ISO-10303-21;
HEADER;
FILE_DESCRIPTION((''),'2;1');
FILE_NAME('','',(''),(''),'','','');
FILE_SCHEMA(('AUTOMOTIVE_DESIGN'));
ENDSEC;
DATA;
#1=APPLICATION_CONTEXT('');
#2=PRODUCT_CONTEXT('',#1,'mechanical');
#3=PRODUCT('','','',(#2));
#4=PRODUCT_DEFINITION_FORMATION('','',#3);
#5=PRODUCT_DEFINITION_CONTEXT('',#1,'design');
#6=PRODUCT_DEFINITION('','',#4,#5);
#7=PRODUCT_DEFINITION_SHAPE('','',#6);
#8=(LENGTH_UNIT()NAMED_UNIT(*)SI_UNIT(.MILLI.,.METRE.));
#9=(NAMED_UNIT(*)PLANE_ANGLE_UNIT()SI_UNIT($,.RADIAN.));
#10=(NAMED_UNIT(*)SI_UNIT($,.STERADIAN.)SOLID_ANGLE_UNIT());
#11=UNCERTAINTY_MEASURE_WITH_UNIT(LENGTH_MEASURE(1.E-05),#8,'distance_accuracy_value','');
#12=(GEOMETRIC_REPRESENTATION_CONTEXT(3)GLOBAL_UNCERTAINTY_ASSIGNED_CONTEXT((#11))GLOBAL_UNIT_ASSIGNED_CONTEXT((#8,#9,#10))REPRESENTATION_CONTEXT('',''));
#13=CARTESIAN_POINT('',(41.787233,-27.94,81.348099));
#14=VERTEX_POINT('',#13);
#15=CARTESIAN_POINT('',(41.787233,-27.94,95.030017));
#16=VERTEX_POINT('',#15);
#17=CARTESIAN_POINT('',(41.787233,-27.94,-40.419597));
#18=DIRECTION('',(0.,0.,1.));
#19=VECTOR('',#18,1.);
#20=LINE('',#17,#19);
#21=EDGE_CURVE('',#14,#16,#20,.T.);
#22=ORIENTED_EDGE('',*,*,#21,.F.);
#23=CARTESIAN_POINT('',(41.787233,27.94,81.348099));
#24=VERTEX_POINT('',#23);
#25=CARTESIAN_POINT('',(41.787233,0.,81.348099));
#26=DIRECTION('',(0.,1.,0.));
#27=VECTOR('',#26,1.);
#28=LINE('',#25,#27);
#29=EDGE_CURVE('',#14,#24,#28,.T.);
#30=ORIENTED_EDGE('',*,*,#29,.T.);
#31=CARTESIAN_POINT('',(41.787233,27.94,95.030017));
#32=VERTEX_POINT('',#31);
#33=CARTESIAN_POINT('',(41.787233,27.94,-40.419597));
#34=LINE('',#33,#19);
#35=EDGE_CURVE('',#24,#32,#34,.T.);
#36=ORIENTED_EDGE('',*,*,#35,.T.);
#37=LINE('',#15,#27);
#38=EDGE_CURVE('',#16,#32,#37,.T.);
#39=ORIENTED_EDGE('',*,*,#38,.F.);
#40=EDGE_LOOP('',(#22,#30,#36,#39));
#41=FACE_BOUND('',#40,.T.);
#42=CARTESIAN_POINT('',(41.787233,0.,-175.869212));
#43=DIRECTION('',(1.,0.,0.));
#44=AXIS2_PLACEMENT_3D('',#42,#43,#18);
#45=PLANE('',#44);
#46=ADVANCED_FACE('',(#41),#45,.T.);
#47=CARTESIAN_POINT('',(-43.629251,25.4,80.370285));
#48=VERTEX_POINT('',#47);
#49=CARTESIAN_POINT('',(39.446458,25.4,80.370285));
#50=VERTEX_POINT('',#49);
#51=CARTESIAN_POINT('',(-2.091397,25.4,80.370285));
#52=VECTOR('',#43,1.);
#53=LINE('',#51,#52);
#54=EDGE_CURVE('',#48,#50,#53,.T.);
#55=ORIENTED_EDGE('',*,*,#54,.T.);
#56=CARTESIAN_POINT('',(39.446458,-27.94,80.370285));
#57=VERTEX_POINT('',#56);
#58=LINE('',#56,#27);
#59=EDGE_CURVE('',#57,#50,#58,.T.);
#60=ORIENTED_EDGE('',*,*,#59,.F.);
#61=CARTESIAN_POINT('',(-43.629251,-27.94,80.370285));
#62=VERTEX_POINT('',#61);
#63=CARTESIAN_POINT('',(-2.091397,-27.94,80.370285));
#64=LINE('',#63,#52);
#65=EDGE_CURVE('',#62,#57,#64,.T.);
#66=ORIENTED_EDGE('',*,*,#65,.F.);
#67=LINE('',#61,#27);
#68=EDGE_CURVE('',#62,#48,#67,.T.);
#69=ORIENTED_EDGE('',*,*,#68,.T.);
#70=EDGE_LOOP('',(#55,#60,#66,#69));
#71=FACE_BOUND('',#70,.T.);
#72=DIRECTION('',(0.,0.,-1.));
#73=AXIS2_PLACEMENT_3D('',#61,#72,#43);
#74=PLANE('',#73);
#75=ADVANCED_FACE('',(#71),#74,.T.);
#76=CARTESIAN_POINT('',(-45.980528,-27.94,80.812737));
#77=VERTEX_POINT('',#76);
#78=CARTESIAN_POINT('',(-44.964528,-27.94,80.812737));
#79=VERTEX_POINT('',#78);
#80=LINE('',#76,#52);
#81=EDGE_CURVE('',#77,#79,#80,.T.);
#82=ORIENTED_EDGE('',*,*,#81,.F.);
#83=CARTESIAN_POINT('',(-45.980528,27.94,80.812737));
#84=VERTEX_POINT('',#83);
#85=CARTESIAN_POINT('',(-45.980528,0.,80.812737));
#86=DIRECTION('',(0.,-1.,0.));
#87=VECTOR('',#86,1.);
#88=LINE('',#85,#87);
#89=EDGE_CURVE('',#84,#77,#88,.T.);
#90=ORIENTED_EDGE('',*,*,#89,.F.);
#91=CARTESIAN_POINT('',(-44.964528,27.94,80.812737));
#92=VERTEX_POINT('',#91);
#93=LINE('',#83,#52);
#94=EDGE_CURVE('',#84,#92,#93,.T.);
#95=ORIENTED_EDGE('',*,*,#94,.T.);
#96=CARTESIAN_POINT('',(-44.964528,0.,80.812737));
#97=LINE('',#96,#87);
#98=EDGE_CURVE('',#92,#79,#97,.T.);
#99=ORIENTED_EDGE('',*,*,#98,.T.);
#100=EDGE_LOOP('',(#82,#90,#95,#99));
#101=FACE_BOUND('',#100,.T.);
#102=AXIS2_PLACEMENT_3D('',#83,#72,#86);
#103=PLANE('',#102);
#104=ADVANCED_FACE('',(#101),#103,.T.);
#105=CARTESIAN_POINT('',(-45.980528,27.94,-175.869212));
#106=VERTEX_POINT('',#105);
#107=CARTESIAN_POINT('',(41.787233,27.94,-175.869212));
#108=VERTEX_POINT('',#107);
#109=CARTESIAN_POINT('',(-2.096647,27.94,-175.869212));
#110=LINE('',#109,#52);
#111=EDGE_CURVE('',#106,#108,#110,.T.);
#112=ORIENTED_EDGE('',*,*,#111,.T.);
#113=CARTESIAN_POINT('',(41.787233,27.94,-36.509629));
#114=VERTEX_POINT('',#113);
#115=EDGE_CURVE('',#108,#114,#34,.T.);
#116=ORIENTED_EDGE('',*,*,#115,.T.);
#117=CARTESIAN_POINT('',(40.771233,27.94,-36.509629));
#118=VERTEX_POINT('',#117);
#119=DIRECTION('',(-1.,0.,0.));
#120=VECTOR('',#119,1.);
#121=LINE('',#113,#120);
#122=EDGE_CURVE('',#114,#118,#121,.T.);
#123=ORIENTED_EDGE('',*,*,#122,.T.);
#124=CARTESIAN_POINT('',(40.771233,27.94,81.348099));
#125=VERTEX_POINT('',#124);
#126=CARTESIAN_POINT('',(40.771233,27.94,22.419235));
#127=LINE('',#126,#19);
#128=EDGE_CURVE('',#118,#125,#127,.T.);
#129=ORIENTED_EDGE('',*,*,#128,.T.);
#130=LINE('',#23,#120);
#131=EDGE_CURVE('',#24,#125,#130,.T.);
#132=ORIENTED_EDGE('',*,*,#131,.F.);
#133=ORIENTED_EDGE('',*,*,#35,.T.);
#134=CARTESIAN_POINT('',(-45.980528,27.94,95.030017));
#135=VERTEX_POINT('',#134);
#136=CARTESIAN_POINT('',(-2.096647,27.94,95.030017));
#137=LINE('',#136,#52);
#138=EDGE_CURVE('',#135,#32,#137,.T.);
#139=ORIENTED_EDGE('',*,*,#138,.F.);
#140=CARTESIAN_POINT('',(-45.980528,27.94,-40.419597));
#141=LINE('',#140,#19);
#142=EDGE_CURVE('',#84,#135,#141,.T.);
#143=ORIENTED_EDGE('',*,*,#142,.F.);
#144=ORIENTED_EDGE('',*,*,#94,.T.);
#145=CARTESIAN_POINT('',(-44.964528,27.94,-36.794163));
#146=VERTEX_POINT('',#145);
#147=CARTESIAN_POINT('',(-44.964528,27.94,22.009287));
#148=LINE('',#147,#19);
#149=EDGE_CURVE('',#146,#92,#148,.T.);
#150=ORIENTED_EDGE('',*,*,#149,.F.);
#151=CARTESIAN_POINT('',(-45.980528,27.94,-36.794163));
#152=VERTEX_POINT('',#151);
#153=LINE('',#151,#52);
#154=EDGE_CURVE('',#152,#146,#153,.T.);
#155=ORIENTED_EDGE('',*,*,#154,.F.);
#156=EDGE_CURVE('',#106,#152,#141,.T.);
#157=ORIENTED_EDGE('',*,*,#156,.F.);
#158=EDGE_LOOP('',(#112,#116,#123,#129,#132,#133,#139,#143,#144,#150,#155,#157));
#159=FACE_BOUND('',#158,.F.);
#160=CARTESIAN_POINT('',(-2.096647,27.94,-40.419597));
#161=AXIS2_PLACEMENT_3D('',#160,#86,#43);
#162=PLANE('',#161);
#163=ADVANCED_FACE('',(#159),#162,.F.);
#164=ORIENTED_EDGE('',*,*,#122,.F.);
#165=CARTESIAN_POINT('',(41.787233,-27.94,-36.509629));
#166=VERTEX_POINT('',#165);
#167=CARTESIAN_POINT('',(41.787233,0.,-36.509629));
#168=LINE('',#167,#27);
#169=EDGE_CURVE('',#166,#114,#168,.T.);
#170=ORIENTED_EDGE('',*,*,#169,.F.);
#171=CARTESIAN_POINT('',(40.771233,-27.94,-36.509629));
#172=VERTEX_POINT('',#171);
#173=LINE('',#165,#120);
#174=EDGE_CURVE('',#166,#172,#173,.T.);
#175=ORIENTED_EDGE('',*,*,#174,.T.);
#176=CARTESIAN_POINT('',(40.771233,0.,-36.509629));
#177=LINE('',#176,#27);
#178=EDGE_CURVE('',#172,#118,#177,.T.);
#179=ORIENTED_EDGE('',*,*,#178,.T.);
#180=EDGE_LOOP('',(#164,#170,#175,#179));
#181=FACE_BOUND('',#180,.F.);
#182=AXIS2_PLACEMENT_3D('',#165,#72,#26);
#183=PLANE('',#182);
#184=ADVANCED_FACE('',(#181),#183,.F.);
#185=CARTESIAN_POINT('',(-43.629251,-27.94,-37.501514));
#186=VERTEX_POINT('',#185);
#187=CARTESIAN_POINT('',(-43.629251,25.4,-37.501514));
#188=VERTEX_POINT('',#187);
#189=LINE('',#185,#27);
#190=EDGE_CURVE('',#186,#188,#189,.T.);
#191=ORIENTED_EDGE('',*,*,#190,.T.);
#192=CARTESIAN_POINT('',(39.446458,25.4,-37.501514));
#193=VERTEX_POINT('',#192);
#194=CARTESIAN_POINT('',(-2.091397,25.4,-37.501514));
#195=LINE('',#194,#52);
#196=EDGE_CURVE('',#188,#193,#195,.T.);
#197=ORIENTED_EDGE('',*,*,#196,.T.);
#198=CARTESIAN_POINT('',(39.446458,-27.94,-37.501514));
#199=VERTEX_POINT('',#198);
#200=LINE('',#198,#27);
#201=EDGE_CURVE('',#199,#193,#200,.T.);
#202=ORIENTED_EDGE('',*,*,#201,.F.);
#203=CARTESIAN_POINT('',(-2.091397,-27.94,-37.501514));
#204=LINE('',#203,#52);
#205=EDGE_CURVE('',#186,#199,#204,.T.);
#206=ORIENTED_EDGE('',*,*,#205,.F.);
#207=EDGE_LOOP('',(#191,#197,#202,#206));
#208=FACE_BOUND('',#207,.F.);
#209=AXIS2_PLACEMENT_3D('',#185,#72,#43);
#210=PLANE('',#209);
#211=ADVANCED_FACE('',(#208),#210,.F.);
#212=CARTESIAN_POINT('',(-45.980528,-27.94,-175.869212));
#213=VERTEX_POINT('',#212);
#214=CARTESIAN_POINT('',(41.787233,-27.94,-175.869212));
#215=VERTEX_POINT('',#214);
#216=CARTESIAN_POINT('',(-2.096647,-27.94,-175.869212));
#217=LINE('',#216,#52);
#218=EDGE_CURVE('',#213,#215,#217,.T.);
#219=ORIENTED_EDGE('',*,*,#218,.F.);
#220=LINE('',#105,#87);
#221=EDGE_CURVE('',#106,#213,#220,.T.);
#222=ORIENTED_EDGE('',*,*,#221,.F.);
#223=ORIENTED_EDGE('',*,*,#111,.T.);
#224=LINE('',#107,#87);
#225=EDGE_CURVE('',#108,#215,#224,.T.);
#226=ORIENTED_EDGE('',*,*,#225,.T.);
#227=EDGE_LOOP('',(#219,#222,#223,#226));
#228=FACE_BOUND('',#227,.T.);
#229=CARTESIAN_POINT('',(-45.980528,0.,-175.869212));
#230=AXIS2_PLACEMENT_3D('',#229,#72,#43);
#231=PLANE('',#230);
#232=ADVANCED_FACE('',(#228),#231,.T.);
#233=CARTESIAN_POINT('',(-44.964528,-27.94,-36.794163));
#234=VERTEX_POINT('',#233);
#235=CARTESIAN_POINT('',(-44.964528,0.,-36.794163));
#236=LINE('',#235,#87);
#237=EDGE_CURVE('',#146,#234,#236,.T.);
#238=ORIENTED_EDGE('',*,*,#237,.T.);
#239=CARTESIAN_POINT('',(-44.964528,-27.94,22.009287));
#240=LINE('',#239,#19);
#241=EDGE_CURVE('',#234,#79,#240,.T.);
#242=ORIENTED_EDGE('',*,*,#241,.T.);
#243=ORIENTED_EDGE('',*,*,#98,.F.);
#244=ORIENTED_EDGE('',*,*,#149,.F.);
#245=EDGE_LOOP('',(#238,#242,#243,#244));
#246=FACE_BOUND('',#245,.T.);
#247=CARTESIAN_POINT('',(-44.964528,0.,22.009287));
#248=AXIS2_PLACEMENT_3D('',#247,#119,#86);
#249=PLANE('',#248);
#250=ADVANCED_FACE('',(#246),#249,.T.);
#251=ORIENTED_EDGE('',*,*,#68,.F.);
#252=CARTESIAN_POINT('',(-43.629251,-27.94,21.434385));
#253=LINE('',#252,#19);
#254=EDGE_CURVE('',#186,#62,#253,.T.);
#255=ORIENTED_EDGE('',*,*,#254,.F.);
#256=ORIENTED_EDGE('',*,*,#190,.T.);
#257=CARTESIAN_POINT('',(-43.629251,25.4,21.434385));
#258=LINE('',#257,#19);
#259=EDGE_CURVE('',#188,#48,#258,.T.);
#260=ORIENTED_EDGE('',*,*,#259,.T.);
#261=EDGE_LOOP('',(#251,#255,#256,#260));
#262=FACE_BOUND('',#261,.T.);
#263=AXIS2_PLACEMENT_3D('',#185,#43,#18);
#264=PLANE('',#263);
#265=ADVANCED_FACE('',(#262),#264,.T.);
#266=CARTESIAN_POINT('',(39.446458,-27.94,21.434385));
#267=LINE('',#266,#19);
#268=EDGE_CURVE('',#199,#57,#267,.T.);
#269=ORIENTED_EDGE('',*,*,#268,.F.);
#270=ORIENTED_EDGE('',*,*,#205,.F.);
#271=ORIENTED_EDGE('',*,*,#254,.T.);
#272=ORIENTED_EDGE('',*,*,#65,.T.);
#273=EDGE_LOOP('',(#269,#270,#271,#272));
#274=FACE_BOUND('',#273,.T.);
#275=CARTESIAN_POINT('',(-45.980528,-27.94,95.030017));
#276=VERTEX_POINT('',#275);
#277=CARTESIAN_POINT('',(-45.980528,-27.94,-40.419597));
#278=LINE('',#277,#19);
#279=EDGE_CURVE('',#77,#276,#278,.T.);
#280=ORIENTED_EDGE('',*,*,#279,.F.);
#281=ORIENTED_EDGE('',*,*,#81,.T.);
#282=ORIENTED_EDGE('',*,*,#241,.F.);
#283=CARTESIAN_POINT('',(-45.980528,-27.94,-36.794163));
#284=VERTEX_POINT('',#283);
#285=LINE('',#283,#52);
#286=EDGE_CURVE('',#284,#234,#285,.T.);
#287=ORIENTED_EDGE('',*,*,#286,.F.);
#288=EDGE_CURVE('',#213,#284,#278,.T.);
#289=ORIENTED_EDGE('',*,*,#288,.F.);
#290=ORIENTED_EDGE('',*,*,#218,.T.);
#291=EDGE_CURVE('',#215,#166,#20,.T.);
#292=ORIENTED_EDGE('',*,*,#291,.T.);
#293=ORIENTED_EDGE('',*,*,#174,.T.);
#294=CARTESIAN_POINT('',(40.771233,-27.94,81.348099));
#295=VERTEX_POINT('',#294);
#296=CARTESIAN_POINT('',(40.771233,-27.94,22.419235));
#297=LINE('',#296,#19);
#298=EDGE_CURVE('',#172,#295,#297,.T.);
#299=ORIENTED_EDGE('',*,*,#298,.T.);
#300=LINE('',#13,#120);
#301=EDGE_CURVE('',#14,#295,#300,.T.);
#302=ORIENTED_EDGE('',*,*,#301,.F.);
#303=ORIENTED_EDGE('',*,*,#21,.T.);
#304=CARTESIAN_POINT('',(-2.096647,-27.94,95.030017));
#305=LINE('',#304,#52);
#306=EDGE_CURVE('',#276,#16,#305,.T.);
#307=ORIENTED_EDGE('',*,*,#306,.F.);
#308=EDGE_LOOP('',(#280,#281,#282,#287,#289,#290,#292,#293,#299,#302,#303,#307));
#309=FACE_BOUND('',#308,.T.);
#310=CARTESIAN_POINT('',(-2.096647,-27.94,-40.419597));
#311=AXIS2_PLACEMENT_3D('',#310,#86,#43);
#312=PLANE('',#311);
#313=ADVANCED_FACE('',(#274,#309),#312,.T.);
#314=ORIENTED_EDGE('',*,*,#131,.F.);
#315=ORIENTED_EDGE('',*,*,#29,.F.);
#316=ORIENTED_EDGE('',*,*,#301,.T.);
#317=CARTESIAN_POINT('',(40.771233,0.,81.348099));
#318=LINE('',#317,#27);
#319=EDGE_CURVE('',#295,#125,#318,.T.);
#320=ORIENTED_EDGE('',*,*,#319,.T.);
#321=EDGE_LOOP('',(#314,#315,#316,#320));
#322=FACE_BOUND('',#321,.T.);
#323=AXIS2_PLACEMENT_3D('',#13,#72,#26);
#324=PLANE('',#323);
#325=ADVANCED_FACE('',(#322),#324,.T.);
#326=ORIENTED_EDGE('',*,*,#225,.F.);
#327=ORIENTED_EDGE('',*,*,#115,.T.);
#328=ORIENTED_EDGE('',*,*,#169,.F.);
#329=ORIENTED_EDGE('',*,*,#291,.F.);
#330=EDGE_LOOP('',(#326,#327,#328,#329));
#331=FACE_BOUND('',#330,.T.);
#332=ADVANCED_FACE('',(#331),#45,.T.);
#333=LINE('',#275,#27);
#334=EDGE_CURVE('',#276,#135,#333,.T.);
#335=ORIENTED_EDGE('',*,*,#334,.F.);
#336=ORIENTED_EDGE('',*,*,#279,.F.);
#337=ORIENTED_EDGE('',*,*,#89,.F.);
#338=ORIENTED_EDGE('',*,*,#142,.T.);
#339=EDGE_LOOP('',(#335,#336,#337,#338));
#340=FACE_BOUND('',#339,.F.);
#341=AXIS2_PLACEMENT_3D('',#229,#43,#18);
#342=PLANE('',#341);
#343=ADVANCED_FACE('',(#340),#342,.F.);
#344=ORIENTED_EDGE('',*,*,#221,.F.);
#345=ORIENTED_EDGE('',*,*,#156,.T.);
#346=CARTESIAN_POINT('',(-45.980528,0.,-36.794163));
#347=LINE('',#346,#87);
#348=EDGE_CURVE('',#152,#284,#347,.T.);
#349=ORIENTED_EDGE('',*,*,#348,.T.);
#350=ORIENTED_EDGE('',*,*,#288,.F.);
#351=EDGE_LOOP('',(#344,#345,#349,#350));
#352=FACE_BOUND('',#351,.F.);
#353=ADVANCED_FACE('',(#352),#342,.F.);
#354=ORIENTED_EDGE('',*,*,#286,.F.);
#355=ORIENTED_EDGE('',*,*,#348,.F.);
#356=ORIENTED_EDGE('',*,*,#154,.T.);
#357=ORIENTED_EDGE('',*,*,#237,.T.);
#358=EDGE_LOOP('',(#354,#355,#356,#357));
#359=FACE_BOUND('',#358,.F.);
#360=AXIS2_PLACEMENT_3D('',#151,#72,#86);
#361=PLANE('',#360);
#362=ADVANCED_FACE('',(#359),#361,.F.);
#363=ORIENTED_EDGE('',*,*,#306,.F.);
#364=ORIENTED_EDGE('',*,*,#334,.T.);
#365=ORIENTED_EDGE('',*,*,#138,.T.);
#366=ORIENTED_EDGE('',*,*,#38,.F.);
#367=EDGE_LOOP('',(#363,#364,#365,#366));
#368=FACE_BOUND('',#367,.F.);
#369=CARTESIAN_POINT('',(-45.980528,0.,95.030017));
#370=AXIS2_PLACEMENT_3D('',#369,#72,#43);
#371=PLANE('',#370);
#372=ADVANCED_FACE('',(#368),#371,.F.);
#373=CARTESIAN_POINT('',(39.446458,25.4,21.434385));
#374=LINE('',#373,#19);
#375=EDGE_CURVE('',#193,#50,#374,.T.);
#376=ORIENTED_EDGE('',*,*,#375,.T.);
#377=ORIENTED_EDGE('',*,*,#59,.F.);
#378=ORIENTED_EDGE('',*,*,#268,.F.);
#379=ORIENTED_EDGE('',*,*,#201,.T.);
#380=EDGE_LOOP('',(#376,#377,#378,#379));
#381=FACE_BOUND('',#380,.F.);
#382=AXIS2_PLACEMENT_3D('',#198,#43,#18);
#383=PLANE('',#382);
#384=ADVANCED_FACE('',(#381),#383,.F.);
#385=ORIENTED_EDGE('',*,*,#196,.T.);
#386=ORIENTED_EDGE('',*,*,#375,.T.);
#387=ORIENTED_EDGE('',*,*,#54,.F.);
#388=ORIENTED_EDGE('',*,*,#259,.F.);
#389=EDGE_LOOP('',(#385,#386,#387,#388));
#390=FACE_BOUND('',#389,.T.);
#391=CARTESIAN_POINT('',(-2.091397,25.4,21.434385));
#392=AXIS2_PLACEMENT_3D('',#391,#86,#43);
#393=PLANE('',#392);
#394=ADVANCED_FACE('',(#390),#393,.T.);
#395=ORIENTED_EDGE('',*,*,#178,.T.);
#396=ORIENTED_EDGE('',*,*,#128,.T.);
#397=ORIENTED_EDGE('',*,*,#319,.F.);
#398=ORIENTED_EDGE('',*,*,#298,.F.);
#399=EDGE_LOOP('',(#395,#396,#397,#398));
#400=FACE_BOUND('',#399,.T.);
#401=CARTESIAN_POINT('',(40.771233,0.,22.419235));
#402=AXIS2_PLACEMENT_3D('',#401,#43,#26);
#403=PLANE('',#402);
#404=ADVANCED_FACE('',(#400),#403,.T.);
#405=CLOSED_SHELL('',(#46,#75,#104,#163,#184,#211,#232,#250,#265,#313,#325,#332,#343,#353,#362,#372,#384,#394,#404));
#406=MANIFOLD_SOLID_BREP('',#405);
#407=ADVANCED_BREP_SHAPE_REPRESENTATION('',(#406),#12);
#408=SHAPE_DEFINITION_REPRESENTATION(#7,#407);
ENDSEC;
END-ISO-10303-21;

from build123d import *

# Parameters (mm, degrees)
F0_W     = 87.7677612007
F0_H     = 270.8992287517
F0_W_2   = 82.2834707797
F0_H_2   = 132.241293788
F1_DEPTH = 27.94
F2_W     = 83.075709641
F2_H     = 117.8717985749
F3_DEPTH = 53.34
F4_W     = 55.88
F4_H     = 117.8577281535
F5_DEPTH = 1.016
F6_W     = 55.88
F6_H     = 117.6069006324
F7_DEPTH = 1.016


with BuildPart() as f1:
    # F0 (on Front) → F1 (new body, symmetric)
    with BuildSketch(Plane.XZ):
        with Locations((-2.0966473967, -40.4195971787)):
            Rectangle(F0_W, F0_H)
        with Locations((-2.0786840469, 17.0819833875)):
            Rectangle(F0_W_2, F0_H_2, mode=Mode.SUBTRACT)
        with Locations((-2.0786840469, 17.0819833875)):
            Rectangle(F0_W_2, F0_H_2)
    extrude(amount=F1_DEPTH, both=True)

    # F2 (on face) → F3 (cut)
    with BuildSketch(Plane.XZ.offset(27.94)):
        with Locations((-2.0913966, 21.4343853295)):
            Rectangle(F2_W, F2_H)
    extrude(amount=-F3_DEPTH, mode=Mode.SUBTRACT)

    # F4 (on face) → F5 (cut)
    with BuildSketch(Plane.YZ.offset(41.7872332036)):
        with Locations((0, 22.4192347378)):
            Rectangle(F4_W, F4_H)
    extrude(amount=-F5_DEPTH, mode=Mode.SUBTRACT)

    # F6 (on face) → F7 (cut)
    with BuildSketch(Plane(origin=(-45.980527997, 0, 0), x_dir=(0, -1, 0), z_dir=(-1, 0, 0))):
        with Locations((0, 22.0092870295)):
            Rectangle(F6_W, F6_H)
    extrude(amount=-F7_DEPTH, mode=Mode.SUBTRACT)


solid = f1.part
